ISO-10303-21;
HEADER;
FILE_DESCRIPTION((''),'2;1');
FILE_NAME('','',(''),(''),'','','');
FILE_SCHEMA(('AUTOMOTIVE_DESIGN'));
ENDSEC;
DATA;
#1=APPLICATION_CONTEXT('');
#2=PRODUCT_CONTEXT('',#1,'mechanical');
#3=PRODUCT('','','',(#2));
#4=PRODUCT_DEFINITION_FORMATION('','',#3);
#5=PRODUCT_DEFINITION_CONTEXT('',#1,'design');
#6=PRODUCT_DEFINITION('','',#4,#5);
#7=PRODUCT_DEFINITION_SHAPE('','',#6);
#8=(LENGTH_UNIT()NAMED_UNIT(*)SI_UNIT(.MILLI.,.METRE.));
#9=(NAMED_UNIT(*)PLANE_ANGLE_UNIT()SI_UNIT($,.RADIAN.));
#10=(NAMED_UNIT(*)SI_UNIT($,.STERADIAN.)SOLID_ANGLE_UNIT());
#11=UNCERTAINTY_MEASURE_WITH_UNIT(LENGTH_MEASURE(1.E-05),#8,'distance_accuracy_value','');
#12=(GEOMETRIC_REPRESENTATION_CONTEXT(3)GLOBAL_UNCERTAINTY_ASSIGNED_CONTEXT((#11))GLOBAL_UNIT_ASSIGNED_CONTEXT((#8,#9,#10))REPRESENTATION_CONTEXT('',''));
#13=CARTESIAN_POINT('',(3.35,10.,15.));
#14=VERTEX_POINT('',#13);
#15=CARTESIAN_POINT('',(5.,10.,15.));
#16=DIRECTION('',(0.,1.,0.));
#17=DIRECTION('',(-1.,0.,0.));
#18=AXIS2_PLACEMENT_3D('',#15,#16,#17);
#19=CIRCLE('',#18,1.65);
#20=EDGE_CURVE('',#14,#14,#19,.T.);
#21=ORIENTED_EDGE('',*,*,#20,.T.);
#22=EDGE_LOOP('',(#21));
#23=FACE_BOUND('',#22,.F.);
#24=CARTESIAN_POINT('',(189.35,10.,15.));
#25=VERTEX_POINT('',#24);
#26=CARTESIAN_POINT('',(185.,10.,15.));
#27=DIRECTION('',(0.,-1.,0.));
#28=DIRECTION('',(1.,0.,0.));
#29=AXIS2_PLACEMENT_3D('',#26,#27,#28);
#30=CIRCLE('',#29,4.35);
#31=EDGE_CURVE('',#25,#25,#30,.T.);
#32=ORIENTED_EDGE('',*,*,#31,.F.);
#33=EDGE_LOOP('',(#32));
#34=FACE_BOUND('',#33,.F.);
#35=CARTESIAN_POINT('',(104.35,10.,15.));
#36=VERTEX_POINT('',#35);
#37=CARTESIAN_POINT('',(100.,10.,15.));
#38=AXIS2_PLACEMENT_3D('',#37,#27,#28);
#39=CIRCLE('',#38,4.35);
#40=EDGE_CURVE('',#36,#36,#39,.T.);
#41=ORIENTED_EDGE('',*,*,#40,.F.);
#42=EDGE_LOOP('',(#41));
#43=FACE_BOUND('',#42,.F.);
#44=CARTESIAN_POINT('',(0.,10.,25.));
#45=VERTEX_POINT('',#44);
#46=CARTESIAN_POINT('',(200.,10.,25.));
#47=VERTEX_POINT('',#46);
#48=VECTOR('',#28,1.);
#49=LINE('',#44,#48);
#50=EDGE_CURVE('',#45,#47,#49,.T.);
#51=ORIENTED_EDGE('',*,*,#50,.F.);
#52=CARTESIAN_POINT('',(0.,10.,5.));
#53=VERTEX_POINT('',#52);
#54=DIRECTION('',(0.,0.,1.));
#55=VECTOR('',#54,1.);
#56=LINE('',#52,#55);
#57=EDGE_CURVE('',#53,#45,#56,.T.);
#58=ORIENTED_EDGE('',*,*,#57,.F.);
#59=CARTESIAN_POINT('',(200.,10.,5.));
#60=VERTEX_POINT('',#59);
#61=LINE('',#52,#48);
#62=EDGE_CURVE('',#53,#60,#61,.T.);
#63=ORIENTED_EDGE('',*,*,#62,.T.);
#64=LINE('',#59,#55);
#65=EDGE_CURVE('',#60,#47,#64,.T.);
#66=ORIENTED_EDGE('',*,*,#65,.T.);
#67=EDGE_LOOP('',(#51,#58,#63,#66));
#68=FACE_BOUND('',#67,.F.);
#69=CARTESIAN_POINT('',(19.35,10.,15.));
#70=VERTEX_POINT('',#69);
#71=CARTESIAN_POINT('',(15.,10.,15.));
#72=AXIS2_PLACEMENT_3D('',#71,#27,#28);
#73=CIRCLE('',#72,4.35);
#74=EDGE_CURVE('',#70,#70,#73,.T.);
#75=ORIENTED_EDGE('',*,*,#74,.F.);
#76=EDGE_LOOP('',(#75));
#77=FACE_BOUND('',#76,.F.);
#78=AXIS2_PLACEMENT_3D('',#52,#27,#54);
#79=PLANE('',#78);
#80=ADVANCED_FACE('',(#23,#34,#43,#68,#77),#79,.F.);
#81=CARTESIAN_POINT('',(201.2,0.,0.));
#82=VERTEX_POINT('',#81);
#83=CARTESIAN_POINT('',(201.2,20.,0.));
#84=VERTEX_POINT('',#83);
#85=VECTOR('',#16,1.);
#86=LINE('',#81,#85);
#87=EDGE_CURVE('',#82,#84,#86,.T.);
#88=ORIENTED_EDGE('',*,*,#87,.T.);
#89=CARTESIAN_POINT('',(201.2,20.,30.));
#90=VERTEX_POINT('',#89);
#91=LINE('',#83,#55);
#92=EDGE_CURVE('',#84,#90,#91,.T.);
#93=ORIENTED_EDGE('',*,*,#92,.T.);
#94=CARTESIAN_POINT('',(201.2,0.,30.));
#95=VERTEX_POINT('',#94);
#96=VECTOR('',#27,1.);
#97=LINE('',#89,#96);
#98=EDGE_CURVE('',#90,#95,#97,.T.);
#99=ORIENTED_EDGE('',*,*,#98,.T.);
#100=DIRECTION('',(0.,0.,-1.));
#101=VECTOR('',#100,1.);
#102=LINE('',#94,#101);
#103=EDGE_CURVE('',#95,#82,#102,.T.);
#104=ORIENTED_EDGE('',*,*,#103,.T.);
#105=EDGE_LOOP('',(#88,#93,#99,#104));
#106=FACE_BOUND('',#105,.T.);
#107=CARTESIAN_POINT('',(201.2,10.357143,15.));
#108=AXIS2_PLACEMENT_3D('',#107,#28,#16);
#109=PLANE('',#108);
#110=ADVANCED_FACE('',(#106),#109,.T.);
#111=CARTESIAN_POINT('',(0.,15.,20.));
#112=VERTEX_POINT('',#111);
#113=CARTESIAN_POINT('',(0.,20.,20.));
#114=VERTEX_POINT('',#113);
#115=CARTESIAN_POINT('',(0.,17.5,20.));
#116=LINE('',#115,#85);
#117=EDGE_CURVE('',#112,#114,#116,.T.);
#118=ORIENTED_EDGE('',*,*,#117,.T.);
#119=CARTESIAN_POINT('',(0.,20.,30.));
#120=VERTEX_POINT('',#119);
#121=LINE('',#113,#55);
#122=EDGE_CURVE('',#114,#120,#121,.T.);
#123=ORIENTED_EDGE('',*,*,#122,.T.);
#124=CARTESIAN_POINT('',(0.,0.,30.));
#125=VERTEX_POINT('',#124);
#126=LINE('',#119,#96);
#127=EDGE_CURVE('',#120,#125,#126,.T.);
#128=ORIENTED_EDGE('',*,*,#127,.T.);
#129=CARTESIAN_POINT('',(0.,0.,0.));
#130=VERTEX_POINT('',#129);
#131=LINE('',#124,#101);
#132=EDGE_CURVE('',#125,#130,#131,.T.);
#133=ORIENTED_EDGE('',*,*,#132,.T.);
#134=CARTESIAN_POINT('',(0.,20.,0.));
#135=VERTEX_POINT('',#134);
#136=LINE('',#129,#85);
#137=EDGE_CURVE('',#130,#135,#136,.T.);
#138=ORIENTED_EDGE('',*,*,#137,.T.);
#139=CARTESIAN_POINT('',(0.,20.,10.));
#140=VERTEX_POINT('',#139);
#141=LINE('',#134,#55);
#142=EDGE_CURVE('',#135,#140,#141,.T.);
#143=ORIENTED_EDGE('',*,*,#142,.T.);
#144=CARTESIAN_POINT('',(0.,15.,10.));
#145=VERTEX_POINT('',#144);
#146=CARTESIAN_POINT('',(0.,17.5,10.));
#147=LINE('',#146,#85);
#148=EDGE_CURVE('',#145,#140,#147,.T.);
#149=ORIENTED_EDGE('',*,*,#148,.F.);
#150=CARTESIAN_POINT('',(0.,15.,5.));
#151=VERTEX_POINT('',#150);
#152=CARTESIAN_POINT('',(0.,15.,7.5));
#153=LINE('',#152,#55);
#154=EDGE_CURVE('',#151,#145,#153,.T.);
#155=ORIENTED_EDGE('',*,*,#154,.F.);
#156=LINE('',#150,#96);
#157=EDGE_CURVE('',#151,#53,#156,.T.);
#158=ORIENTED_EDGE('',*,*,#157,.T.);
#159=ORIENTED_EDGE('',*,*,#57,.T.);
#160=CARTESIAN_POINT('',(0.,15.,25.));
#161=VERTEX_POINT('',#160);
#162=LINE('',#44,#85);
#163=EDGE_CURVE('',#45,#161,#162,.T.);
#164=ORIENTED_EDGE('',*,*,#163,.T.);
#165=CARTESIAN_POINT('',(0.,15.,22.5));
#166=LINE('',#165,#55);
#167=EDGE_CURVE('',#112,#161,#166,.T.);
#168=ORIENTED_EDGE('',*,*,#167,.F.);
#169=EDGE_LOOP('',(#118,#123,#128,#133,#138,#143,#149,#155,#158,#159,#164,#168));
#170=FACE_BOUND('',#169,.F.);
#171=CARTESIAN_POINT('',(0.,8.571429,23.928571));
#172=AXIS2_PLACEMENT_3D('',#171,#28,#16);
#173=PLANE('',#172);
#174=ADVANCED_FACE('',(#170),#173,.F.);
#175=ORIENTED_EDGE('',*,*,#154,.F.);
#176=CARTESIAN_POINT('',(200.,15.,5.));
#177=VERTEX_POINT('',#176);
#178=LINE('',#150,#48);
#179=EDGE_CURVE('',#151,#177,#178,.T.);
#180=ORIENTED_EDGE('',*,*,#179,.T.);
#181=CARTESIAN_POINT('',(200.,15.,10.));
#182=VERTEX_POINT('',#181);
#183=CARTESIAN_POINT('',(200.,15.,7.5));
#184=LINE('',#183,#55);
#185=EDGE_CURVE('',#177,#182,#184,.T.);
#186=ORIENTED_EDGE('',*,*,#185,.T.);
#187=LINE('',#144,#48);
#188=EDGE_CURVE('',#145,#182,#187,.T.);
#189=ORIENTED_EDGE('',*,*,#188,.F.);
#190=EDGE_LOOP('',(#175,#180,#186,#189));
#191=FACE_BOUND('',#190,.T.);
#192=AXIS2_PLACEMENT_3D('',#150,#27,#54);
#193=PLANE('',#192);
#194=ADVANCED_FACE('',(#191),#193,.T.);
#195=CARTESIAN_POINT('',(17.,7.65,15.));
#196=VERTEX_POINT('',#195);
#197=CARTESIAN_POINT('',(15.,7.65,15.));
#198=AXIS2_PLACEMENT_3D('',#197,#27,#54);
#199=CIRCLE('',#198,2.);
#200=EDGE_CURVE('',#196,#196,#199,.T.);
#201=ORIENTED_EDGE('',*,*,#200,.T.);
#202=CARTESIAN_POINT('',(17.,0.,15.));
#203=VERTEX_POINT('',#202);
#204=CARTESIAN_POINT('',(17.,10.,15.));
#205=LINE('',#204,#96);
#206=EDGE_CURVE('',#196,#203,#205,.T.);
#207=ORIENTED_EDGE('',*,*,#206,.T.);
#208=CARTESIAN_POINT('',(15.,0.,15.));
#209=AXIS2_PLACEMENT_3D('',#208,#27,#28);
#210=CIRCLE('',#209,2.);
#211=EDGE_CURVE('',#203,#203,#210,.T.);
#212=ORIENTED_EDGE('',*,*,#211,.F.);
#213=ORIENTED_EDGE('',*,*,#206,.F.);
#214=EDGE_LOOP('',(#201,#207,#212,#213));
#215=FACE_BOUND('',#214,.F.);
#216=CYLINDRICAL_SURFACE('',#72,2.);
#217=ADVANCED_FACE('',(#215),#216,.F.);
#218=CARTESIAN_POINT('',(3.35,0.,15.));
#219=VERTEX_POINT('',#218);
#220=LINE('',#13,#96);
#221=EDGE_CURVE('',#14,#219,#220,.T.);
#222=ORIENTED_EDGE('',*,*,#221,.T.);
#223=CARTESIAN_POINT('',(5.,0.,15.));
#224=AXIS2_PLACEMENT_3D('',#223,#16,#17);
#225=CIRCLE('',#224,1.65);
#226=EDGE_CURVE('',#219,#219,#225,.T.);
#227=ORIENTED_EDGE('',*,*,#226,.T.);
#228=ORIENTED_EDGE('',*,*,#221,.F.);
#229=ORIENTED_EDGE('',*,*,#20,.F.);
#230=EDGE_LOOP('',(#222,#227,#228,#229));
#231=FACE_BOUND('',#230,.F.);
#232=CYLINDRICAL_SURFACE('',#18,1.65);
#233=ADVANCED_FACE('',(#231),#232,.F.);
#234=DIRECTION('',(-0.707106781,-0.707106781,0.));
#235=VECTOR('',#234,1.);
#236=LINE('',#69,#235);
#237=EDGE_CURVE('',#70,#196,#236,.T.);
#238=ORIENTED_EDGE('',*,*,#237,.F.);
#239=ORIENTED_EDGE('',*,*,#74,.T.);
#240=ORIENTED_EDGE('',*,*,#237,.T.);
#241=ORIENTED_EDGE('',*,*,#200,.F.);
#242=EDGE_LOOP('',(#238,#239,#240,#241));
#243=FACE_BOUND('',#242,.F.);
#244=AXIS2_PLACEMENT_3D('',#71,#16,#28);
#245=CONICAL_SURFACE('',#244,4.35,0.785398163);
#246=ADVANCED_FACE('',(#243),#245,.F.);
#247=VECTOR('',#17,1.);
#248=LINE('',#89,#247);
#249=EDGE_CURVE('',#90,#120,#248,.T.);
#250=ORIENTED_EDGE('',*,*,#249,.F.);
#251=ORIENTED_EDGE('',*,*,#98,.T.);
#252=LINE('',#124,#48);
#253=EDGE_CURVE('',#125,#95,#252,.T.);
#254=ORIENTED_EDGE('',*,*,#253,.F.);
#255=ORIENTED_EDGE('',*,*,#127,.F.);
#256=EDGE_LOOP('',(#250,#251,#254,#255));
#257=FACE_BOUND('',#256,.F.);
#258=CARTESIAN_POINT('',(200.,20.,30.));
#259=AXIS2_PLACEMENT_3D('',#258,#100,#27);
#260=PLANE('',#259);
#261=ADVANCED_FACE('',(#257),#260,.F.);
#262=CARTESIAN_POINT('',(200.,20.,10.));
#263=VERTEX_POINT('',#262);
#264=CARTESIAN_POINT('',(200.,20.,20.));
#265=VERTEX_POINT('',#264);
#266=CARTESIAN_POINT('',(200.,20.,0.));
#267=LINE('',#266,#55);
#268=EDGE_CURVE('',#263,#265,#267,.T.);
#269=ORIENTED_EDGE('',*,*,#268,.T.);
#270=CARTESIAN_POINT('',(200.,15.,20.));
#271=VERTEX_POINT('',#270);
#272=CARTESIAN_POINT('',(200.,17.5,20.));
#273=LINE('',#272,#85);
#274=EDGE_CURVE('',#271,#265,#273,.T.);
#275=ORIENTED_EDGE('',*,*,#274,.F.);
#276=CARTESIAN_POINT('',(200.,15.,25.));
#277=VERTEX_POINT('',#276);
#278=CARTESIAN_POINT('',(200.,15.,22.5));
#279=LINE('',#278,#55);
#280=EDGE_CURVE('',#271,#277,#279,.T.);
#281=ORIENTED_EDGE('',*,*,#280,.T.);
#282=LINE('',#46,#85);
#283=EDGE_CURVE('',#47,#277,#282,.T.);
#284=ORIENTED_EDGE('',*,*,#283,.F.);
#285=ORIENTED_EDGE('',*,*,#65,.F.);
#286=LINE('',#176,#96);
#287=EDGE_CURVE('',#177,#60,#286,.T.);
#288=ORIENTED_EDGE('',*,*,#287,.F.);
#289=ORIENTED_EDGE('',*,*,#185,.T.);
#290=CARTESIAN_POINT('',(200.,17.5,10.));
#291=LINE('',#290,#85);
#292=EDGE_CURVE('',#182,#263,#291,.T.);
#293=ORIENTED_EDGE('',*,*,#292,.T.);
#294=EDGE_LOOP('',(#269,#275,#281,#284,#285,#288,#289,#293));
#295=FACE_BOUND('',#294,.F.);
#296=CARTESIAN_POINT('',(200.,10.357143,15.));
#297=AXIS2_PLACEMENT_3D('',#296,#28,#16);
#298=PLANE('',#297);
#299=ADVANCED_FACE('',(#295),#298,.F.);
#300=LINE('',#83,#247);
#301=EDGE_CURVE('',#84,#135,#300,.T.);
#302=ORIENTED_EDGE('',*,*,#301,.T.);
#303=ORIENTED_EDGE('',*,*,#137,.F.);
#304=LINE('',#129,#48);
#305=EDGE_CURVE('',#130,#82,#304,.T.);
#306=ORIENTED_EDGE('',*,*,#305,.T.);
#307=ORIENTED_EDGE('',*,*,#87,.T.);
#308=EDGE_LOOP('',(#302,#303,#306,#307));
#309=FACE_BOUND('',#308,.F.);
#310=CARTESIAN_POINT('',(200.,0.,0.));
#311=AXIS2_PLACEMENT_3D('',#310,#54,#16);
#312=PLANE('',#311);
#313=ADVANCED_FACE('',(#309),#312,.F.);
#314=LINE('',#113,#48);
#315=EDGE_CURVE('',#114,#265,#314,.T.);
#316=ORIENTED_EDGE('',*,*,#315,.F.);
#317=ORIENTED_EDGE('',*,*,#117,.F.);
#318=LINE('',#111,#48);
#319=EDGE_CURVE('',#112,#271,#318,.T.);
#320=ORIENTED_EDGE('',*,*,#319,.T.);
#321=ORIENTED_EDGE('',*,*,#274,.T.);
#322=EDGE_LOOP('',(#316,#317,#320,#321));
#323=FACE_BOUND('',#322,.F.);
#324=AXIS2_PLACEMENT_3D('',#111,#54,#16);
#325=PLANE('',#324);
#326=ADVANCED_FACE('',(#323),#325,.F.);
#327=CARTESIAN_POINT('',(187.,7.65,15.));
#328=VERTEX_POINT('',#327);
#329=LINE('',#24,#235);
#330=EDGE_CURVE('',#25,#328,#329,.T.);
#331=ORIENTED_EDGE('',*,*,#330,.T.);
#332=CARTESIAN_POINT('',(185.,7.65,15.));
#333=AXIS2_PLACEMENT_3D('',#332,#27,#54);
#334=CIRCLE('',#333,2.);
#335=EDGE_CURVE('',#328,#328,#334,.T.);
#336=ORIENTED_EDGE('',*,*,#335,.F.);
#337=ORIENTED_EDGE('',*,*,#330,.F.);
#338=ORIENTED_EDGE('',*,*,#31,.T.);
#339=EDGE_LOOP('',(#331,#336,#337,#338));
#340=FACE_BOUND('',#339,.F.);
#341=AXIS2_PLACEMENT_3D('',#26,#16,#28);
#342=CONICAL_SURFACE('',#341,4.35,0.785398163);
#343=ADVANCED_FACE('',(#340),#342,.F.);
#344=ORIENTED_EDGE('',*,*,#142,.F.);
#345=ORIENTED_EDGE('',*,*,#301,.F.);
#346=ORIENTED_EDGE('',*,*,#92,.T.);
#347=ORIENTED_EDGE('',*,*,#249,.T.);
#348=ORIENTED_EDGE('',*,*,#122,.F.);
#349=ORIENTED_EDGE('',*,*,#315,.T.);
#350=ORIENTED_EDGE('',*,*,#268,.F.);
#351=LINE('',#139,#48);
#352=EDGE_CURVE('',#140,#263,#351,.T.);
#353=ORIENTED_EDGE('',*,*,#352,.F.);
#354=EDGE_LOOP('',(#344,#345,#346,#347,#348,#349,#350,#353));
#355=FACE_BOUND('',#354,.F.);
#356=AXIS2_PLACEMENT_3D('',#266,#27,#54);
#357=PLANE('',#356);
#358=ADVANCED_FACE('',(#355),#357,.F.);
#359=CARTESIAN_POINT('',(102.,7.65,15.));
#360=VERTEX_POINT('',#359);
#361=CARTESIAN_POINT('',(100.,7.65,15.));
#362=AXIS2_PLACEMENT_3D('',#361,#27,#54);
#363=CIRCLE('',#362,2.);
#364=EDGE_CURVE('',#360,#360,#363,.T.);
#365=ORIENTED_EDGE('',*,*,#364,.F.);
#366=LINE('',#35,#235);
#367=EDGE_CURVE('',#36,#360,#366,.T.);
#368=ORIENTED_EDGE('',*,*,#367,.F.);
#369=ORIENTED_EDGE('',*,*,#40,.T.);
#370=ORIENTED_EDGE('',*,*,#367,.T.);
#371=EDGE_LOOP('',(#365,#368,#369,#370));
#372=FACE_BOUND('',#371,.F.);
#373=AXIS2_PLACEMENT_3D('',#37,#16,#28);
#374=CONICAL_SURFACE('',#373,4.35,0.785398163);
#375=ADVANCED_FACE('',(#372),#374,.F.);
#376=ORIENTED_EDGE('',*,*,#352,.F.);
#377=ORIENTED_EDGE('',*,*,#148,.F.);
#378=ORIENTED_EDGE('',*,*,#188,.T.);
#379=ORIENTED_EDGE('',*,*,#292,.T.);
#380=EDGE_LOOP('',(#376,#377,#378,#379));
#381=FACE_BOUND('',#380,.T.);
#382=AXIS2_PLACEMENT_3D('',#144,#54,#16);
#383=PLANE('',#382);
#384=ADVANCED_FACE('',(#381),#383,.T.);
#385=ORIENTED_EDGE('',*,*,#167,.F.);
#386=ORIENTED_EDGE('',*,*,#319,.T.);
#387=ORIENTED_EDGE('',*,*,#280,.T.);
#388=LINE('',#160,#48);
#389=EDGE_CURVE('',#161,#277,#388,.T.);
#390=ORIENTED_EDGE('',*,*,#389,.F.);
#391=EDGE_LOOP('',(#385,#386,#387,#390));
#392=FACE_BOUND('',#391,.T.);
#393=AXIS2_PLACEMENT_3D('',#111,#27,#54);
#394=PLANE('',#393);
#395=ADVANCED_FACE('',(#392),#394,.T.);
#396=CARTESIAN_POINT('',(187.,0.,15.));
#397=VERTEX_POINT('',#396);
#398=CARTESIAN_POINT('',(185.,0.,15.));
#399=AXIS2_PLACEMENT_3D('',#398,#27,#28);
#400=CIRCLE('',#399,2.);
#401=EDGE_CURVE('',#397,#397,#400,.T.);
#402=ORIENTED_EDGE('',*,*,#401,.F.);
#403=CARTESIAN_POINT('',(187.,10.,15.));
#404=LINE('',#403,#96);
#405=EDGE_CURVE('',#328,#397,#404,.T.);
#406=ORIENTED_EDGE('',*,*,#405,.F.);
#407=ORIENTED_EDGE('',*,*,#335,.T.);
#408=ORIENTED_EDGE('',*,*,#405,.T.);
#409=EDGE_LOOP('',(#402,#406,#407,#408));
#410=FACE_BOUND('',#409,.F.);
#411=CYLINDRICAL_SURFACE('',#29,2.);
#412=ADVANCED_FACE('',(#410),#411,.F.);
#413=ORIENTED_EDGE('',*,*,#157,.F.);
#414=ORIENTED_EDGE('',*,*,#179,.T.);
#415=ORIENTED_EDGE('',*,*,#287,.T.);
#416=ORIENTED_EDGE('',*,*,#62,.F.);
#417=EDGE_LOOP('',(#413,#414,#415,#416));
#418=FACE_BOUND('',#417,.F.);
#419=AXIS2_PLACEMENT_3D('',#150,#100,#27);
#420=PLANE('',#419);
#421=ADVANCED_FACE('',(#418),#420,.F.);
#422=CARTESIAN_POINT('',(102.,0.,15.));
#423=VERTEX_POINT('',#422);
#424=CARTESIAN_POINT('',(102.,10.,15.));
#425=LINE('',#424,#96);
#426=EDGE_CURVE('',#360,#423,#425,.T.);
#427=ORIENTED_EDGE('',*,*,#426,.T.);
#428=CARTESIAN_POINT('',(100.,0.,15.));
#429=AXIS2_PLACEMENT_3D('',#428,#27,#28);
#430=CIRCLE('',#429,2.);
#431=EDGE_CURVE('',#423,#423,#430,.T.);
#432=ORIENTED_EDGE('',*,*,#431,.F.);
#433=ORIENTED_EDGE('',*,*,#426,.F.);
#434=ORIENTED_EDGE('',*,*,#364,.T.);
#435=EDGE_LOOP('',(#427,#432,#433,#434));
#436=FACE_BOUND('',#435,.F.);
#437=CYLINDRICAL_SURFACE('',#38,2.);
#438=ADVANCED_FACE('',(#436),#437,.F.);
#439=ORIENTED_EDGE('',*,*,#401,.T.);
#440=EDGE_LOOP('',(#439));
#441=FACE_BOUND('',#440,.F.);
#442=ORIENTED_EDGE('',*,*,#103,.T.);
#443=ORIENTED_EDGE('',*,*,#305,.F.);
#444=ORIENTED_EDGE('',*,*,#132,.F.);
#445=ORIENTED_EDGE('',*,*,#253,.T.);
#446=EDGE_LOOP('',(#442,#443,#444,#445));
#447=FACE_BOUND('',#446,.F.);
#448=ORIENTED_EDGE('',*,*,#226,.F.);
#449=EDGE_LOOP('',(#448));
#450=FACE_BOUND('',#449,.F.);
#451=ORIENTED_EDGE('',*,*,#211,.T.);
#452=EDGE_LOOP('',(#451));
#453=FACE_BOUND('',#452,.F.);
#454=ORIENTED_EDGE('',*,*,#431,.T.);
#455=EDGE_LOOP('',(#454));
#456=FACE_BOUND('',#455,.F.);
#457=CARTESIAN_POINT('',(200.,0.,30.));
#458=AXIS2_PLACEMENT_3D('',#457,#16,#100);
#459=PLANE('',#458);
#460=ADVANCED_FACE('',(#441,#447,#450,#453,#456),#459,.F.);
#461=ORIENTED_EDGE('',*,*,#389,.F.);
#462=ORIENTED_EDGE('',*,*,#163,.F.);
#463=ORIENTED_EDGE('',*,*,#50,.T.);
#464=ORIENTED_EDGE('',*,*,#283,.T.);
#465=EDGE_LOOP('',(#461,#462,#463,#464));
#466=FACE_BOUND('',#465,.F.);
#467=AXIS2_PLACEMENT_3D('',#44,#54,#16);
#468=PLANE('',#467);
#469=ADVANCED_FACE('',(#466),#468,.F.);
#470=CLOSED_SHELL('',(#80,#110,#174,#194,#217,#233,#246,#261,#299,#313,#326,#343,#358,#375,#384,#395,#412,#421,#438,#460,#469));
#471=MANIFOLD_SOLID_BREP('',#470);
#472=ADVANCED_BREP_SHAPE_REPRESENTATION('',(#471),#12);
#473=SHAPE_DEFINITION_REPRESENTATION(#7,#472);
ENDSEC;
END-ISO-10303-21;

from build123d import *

# Parameters (mm, degrees)
F0_W           = 5
F0_H           = 5
F1_DEPTH       = 200
F3_DEPTH       = 1.2
F5_D           = 4
F5_CSINK_D     = 8.7
F5_CSINK_ANGLE = 90
F6_DEPTH       = 25


with BuildPart() as f1:
    # F0 (on Right) → F1 (new body)
    with BuildSketch(Plane.YZ):
        Polygon((0, 30), (0, 15), (6.1031254008, 15), (10, 15), (10, 25), (15, 25), (20, 25), (20, 30), align=None)
        with Locations((17.5, 22.5)):
            Rectangle(F0_W, F0_H)
        with Locations((17.5, 7.5)):
            Rectangle(F0_W, F0_H)
        Polygon((0, 15), (0, 0), (20, 0), (20, 5), (15, 5), (10, 5), (10, 15), (6.1031254008, 15), align=None)
    extrude(amount=F1_DEPTH)

    # F2 (on face) → F3 (join)
    with BuildSketch(Plane.YZ.offset(200)):
        Polygon((20, 30), (0, 30), (0, 0), (20, 0), (20, 10), (15, 10), (15, 5), (10, 5), (10, 25), (15, 25), (15, 20), (20, 20), align=None)
        Polygon((20, 10), (20, 20), (15, 20), (15, 25), (10, 25), (10, 5), (15, 5), (15, 10), align=None)
    extrude(amount=F3_DEPTH)

    # F5 (through all)
    with Locations(Plane(origin=(0, 10, 0), x_dir=(-1, 0, 0), z_dir=(0, 1, 0))):
        with Locations((-15, 15), (-185, 15), (-100, 15)):
            CounterSinkHole(F5_D / 2, F5_CSINK_D / 2, counter_sink_angle=F5_CSINK_ANGLE)

    # F4 (on face) → F6 (cut)
    with BuildSketch(Plane(origin=(0, 10, 0), x_dir=(-1, 0, 0), z_dir=(0, 1, 0))):
        with BuildLine():
            ThreePointArc((-6.65, 15), (-5, 13.35), (-3.35, 15))
            Line((-3.35, 15), (-5, 15))
            Line((-5, 15), (-6.65, 15))
        make_face()
        with BuildLine():
            Line((-5, 15), (-3.35, 15))
            ThreePointArc((-3.35, 15), (-5, 16.65), (-6.65, 15))
            Line((-6.65, 15), (-5, 15))
        make_face()
    extrude(amount=-F6_DEPTH, mode=Mode.SUBTRACT)


solid = f1.part
